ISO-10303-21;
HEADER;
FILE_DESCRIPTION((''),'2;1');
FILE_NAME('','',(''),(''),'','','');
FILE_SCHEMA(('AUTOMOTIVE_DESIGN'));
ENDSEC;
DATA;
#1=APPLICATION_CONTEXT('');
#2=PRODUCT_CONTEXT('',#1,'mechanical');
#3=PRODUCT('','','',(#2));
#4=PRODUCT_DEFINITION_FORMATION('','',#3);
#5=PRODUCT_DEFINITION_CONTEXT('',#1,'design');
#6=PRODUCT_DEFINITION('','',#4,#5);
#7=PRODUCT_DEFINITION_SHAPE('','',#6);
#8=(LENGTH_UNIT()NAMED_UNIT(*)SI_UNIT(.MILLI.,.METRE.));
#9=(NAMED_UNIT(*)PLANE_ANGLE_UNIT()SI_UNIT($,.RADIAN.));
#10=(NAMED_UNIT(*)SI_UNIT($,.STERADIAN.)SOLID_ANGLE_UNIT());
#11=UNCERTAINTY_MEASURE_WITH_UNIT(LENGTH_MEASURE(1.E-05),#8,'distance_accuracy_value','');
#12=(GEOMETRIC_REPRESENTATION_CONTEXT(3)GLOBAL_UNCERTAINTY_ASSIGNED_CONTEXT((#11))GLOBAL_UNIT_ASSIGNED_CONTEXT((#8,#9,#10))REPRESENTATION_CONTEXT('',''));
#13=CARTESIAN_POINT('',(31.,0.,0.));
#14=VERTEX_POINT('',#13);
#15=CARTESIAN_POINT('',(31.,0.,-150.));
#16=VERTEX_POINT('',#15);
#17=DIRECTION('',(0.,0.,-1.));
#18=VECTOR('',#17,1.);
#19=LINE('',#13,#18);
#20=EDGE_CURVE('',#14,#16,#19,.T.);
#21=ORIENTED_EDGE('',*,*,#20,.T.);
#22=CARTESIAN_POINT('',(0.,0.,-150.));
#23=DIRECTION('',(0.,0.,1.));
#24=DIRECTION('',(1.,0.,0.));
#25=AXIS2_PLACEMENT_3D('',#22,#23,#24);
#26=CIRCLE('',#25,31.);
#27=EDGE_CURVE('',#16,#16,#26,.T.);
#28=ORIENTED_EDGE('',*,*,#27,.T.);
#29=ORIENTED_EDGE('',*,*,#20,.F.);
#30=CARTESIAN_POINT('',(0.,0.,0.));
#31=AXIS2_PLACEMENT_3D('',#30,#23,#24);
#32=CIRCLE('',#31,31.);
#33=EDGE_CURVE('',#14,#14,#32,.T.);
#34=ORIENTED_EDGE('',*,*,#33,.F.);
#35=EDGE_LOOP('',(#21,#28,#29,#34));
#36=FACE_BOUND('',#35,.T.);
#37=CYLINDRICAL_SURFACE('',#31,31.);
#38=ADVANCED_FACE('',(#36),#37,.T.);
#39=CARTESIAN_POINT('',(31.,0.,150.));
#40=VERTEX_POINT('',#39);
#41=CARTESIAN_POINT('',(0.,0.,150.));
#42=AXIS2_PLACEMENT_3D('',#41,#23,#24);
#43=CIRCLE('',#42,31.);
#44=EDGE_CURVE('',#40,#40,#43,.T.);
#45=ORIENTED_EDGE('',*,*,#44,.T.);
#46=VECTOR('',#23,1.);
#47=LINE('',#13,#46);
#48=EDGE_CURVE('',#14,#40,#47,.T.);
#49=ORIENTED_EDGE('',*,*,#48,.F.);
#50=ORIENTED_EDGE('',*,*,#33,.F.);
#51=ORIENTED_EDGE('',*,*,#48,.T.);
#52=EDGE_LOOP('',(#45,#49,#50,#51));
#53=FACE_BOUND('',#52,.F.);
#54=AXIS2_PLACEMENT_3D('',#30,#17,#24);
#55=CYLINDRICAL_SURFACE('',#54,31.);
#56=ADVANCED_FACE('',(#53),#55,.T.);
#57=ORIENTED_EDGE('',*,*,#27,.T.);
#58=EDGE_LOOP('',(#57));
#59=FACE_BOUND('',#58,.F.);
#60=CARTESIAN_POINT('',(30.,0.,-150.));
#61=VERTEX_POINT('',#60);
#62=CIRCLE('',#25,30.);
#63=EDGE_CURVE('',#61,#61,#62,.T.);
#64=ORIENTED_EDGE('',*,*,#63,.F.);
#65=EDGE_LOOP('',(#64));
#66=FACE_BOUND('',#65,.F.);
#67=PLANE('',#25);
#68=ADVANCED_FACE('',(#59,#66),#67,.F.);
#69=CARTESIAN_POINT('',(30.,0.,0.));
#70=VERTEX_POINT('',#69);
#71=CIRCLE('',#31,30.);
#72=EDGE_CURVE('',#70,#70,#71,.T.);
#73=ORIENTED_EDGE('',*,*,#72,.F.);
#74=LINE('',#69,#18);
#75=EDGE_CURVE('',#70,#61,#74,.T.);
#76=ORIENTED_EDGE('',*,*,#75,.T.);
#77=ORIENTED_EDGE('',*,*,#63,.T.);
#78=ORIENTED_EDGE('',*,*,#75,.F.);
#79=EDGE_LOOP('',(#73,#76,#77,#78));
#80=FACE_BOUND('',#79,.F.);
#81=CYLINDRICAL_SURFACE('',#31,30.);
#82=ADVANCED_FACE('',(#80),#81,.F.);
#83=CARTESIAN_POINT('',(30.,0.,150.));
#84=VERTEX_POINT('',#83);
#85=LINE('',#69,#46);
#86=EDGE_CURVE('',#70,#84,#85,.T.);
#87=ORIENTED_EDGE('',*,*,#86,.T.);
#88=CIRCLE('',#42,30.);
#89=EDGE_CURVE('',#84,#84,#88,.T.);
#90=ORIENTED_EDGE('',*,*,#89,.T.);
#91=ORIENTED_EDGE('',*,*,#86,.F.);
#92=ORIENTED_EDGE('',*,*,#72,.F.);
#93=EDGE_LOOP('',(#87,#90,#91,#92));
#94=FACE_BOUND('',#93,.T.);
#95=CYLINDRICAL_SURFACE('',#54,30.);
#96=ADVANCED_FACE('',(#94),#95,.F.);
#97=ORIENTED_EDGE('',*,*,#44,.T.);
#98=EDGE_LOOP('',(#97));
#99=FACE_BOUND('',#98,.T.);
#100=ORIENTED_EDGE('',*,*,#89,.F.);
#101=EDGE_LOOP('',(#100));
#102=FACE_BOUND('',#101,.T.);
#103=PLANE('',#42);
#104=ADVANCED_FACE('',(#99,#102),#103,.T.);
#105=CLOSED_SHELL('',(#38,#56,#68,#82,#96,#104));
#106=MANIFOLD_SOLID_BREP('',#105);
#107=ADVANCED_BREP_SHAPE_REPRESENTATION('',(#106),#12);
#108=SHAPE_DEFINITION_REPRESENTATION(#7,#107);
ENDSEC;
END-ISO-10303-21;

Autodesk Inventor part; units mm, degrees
ref_plane "YZ Plane" through (0, 0, 0) normal (1, 0, 0) x (0, 1, 0)
ref_plane "XZ Plane" through (0, 0, 0) normal (0, 1, 0) x (-1, 0, 0)
ref_plane "XY Plane" through (0, 0, 0) normal (0, 0, 1) x (1, 0, 0)
sketch "Skizze1" plane through (0, 0, 0) normal (0, 0, 1) x (1, 0, 0)
  circle A0 centre (0, 0) radius 31
  circle A1 centre (0, 0) radius 30
  dimension "d0" = 62
  dimension "d1" = 60
extrude "Extrusion1" add sketch "Skizze1" along normal mid plane 300
properties part number "Segment_spitze"
